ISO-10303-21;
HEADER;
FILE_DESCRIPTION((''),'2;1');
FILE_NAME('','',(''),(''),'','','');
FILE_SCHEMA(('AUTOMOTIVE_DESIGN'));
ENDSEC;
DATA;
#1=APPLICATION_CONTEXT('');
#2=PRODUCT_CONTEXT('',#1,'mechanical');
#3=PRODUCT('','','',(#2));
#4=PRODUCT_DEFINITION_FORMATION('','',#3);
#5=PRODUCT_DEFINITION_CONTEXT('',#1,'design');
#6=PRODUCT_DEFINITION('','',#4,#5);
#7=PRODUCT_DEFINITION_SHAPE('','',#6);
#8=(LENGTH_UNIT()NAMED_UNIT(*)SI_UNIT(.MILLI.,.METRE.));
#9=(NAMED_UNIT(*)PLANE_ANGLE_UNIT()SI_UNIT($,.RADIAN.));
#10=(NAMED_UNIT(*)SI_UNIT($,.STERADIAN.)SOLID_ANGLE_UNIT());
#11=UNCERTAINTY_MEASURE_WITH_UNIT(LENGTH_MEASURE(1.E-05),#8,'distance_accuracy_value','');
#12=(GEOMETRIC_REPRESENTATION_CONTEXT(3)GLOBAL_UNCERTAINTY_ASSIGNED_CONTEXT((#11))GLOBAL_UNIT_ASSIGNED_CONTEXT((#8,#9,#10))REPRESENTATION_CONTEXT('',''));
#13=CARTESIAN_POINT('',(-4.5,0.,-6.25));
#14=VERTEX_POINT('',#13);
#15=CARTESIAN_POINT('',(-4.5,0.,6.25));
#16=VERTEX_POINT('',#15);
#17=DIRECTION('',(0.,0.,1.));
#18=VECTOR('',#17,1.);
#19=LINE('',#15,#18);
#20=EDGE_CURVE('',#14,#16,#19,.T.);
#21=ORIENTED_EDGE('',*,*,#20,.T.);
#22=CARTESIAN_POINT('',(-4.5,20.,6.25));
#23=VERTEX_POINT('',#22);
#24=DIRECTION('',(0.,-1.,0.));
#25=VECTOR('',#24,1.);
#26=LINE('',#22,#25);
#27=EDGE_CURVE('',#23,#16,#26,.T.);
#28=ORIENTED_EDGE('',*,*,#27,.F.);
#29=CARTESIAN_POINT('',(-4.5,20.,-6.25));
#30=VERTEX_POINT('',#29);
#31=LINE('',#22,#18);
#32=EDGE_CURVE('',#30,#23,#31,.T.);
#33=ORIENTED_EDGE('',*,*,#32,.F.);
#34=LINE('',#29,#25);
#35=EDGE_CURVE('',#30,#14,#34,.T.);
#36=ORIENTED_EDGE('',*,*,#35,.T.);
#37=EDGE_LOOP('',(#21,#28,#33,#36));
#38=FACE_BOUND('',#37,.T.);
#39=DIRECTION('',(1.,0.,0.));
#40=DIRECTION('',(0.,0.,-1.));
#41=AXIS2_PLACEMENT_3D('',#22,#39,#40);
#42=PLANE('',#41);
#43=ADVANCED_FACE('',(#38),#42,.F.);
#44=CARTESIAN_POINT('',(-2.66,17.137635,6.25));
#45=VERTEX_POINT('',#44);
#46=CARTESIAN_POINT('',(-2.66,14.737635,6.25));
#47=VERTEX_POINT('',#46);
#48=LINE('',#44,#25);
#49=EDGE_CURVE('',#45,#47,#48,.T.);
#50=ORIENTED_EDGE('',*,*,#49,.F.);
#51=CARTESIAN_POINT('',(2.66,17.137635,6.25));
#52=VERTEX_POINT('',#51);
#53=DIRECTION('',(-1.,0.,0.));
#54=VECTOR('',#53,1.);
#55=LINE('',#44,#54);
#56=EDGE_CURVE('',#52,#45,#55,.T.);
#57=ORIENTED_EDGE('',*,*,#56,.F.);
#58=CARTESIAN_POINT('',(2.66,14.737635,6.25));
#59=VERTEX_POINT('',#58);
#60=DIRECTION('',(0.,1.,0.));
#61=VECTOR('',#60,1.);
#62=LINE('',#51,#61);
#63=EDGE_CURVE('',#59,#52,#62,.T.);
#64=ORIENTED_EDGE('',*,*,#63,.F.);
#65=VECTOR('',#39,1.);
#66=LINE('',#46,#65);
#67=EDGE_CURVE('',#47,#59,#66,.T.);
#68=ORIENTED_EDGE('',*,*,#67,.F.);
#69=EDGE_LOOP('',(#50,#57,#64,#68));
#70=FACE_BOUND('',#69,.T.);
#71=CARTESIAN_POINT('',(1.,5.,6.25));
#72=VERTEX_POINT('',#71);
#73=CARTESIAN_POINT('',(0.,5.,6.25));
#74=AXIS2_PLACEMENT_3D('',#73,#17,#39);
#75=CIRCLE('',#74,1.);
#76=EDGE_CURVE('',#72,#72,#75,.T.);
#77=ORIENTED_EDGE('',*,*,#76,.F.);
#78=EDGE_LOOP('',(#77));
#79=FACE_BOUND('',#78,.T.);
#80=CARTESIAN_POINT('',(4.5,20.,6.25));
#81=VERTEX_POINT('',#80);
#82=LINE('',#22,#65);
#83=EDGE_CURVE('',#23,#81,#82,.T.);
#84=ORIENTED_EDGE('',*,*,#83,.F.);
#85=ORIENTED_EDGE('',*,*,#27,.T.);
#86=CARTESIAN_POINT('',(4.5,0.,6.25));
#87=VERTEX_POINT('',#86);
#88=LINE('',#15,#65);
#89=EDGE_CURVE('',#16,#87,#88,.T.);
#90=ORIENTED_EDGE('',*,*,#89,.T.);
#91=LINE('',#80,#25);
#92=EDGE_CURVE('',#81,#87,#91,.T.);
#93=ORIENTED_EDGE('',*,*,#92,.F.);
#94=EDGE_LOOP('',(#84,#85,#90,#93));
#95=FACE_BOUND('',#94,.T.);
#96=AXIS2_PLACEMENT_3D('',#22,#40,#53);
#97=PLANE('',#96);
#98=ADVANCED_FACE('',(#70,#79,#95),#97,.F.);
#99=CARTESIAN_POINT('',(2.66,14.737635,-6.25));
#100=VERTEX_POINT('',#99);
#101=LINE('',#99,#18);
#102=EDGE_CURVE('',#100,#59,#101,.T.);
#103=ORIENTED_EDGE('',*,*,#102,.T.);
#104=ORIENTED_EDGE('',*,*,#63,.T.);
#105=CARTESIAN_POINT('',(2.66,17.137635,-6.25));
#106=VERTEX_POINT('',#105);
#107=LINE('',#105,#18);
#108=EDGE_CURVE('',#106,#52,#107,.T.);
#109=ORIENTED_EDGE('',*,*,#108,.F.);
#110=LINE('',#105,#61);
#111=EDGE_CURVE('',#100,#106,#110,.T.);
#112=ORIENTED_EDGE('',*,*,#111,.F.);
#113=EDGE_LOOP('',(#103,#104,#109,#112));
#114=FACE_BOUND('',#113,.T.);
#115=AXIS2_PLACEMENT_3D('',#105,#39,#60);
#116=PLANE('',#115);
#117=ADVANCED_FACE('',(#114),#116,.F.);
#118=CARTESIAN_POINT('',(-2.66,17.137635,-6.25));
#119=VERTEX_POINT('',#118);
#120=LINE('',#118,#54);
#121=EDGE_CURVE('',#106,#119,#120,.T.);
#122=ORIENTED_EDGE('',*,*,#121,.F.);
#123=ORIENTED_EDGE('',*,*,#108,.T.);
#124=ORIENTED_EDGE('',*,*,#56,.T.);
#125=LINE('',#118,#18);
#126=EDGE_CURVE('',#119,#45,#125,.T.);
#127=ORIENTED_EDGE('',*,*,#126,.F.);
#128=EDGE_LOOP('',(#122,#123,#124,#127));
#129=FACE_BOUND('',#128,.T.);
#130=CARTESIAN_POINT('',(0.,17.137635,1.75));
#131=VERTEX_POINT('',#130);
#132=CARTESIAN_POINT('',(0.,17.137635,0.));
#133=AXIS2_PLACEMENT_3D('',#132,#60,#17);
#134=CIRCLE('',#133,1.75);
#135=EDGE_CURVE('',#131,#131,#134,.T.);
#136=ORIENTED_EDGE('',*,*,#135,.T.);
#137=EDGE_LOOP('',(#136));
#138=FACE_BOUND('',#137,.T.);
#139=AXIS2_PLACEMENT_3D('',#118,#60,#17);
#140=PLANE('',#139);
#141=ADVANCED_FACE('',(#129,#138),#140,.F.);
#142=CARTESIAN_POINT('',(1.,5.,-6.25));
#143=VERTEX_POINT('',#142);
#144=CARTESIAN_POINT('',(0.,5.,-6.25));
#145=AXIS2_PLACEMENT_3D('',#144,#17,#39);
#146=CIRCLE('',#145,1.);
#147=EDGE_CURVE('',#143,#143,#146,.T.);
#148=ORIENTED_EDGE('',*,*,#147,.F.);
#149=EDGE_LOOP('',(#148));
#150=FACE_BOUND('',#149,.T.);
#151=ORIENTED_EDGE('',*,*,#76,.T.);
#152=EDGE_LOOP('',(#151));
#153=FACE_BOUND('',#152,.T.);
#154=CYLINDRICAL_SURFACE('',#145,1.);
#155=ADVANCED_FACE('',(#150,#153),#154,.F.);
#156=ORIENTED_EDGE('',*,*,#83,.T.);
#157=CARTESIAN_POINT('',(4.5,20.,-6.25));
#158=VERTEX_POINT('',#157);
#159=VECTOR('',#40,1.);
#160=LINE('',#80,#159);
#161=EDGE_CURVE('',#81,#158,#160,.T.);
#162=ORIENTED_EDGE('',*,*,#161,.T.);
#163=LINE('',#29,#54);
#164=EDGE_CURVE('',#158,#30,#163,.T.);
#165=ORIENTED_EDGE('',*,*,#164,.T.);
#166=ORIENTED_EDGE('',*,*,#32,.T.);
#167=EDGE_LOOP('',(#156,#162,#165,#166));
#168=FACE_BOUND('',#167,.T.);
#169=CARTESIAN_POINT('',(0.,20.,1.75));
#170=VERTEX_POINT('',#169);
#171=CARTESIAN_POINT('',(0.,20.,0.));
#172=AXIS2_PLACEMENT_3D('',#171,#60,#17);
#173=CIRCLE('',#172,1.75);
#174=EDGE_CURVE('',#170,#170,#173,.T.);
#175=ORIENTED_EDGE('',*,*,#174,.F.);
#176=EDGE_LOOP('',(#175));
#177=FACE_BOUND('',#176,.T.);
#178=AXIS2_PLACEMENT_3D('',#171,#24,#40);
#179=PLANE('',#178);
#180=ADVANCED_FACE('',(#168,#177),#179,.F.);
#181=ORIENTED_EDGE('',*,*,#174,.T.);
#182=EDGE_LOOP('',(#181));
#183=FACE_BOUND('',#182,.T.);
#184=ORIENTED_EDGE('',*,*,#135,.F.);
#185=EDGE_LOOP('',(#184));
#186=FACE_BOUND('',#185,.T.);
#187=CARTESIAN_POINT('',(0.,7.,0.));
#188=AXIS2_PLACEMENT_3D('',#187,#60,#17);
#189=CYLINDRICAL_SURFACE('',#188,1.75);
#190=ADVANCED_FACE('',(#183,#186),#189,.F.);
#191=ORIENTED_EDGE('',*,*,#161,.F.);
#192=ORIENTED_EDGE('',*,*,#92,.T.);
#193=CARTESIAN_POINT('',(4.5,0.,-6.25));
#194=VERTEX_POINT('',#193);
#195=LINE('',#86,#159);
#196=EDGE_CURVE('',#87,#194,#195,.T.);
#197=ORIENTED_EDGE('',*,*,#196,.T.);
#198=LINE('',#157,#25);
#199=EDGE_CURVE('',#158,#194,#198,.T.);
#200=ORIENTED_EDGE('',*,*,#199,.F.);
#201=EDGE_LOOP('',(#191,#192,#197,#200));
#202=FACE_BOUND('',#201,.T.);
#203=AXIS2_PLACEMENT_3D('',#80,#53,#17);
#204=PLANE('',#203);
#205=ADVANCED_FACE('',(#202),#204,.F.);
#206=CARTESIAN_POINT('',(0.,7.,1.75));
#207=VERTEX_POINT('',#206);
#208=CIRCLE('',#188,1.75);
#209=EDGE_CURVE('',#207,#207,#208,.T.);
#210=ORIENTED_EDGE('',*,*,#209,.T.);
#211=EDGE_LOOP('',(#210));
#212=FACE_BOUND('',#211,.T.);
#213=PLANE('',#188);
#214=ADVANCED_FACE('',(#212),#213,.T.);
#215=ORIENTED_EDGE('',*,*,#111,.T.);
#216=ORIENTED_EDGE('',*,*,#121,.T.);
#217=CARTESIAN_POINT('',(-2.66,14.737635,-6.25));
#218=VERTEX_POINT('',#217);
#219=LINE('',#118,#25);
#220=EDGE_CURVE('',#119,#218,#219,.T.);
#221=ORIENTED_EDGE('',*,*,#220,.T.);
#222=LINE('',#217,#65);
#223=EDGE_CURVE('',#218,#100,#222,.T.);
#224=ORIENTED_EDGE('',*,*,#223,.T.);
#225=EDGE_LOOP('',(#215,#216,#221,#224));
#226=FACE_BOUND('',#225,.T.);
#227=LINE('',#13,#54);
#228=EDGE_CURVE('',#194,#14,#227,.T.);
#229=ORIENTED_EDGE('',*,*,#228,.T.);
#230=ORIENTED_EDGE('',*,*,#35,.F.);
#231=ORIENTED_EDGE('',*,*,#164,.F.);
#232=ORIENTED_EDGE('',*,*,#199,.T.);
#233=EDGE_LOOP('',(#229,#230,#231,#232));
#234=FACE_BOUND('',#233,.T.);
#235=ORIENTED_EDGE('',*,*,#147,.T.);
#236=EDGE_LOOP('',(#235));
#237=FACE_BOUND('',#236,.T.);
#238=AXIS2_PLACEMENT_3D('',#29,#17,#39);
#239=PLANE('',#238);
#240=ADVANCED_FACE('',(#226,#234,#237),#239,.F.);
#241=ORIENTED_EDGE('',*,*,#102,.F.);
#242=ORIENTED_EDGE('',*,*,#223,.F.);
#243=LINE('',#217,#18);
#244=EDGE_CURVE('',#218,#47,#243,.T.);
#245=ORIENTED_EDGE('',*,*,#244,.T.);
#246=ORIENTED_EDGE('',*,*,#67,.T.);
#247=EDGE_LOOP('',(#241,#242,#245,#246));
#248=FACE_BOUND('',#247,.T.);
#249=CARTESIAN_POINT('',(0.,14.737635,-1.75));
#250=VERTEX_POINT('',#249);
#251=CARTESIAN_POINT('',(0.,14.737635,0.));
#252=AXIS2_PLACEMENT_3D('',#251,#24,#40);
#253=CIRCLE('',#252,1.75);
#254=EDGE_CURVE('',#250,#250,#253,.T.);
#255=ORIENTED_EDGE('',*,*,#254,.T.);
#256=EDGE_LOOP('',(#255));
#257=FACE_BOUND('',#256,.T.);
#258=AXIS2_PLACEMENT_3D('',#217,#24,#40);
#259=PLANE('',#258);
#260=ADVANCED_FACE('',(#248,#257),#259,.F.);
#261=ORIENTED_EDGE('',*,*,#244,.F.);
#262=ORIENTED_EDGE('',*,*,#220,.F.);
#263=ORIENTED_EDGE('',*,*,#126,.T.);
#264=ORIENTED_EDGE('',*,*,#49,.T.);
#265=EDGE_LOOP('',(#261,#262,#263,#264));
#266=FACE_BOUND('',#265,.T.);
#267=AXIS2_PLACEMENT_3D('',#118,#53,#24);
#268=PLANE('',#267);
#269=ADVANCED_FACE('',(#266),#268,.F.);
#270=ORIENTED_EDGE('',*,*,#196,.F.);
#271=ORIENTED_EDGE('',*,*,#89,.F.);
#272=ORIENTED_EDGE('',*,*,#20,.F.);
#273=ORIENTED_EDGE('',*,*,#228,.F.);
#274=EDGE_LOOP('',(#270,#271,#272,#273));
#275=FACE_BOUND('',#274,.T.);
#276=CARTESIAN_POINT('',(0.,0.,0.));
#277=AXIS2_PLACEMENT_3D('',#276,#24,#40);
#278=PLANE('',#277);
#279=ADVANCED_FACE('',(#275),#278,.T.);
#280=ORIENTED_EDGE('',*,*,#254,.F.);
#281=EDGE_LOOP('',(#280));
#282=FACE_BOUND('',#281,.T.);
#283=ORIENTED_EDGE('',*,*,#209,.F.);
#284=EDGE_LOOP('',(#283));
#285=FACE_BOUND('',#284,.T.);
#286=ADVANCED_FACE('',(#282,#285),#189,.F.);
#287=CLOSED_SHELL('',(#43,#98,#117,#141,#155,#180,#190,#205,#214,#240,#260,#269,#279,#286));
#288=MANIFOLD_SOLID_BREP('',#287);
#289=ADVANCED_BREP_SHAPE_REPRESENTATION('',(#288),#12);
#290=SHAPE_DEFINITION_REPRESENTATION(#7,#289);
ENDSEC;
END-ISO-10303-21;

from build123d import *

# Parameters (mm, degrees)
SKETCH1_W           = 9
SKETCH1_H           = 12.5
BOSS_EXTRUDE1_DEPTH = 20
SKETCH2_R           = 1
CUT_EXTRUDE1_DEPTH  = 13.5
SKETCH3_W           = 5.32
SKETCH3_H           = 2.4
CUT_EXTRUDE2_DEPTH  = 13.5
SKETCH4_R           = 1.75
CUT_EXTRUDE3_DEPTH  = 13


with BuildPart() as part:
    # Sketch1 → Boss-Extrude1 (new body)
    with BuildSketch(Plane(origin=(0, 0, 0), x_dir=(1, 0, 0), z_dir=(0, 1, 0))):
        Rectangle(SKETCH1_W, SKETCH1_H)
    extrude(amount=BOSS_EXTRUDE1_DEPTH)

    # Sketch2 → Cut-Extrude1 (cut, through all)
    with BuildSketch(Plane.XY.offset(6.25)):
        with Locations((0, 5)):
            Circle(SKETCH2_R)
    extrude(amount=-CUT_EXTRUDE1_DEPTH, mode=Mode.SUBTRACT)

    # Sketch3 → Cut-Extrude2 (cut, through all)
    with BuildSketch(Plane.XY.offset(6.25)):
        with Locations((0, 15.93763485)):
            Rectangle(SKETCH3_W, SKETCH3_H)
    extrude(amount=-CUT_EXTRUDE2_DEPTH, mode=Mode.SUBTRACT)

    # Sketch4 → Cut-Extrude3 (cut)
    with BuildSketch(Plane(origin=(0, 20, 0), x_dir=(1, 0, 0), z_dir=(0, 1, 0))):
        Circle(SKETCH4_R)
    extrude(amount=-CUT_EXTRUDE3_DEPTH, mode=Mode.SUBTRACT)


solid = part.part
